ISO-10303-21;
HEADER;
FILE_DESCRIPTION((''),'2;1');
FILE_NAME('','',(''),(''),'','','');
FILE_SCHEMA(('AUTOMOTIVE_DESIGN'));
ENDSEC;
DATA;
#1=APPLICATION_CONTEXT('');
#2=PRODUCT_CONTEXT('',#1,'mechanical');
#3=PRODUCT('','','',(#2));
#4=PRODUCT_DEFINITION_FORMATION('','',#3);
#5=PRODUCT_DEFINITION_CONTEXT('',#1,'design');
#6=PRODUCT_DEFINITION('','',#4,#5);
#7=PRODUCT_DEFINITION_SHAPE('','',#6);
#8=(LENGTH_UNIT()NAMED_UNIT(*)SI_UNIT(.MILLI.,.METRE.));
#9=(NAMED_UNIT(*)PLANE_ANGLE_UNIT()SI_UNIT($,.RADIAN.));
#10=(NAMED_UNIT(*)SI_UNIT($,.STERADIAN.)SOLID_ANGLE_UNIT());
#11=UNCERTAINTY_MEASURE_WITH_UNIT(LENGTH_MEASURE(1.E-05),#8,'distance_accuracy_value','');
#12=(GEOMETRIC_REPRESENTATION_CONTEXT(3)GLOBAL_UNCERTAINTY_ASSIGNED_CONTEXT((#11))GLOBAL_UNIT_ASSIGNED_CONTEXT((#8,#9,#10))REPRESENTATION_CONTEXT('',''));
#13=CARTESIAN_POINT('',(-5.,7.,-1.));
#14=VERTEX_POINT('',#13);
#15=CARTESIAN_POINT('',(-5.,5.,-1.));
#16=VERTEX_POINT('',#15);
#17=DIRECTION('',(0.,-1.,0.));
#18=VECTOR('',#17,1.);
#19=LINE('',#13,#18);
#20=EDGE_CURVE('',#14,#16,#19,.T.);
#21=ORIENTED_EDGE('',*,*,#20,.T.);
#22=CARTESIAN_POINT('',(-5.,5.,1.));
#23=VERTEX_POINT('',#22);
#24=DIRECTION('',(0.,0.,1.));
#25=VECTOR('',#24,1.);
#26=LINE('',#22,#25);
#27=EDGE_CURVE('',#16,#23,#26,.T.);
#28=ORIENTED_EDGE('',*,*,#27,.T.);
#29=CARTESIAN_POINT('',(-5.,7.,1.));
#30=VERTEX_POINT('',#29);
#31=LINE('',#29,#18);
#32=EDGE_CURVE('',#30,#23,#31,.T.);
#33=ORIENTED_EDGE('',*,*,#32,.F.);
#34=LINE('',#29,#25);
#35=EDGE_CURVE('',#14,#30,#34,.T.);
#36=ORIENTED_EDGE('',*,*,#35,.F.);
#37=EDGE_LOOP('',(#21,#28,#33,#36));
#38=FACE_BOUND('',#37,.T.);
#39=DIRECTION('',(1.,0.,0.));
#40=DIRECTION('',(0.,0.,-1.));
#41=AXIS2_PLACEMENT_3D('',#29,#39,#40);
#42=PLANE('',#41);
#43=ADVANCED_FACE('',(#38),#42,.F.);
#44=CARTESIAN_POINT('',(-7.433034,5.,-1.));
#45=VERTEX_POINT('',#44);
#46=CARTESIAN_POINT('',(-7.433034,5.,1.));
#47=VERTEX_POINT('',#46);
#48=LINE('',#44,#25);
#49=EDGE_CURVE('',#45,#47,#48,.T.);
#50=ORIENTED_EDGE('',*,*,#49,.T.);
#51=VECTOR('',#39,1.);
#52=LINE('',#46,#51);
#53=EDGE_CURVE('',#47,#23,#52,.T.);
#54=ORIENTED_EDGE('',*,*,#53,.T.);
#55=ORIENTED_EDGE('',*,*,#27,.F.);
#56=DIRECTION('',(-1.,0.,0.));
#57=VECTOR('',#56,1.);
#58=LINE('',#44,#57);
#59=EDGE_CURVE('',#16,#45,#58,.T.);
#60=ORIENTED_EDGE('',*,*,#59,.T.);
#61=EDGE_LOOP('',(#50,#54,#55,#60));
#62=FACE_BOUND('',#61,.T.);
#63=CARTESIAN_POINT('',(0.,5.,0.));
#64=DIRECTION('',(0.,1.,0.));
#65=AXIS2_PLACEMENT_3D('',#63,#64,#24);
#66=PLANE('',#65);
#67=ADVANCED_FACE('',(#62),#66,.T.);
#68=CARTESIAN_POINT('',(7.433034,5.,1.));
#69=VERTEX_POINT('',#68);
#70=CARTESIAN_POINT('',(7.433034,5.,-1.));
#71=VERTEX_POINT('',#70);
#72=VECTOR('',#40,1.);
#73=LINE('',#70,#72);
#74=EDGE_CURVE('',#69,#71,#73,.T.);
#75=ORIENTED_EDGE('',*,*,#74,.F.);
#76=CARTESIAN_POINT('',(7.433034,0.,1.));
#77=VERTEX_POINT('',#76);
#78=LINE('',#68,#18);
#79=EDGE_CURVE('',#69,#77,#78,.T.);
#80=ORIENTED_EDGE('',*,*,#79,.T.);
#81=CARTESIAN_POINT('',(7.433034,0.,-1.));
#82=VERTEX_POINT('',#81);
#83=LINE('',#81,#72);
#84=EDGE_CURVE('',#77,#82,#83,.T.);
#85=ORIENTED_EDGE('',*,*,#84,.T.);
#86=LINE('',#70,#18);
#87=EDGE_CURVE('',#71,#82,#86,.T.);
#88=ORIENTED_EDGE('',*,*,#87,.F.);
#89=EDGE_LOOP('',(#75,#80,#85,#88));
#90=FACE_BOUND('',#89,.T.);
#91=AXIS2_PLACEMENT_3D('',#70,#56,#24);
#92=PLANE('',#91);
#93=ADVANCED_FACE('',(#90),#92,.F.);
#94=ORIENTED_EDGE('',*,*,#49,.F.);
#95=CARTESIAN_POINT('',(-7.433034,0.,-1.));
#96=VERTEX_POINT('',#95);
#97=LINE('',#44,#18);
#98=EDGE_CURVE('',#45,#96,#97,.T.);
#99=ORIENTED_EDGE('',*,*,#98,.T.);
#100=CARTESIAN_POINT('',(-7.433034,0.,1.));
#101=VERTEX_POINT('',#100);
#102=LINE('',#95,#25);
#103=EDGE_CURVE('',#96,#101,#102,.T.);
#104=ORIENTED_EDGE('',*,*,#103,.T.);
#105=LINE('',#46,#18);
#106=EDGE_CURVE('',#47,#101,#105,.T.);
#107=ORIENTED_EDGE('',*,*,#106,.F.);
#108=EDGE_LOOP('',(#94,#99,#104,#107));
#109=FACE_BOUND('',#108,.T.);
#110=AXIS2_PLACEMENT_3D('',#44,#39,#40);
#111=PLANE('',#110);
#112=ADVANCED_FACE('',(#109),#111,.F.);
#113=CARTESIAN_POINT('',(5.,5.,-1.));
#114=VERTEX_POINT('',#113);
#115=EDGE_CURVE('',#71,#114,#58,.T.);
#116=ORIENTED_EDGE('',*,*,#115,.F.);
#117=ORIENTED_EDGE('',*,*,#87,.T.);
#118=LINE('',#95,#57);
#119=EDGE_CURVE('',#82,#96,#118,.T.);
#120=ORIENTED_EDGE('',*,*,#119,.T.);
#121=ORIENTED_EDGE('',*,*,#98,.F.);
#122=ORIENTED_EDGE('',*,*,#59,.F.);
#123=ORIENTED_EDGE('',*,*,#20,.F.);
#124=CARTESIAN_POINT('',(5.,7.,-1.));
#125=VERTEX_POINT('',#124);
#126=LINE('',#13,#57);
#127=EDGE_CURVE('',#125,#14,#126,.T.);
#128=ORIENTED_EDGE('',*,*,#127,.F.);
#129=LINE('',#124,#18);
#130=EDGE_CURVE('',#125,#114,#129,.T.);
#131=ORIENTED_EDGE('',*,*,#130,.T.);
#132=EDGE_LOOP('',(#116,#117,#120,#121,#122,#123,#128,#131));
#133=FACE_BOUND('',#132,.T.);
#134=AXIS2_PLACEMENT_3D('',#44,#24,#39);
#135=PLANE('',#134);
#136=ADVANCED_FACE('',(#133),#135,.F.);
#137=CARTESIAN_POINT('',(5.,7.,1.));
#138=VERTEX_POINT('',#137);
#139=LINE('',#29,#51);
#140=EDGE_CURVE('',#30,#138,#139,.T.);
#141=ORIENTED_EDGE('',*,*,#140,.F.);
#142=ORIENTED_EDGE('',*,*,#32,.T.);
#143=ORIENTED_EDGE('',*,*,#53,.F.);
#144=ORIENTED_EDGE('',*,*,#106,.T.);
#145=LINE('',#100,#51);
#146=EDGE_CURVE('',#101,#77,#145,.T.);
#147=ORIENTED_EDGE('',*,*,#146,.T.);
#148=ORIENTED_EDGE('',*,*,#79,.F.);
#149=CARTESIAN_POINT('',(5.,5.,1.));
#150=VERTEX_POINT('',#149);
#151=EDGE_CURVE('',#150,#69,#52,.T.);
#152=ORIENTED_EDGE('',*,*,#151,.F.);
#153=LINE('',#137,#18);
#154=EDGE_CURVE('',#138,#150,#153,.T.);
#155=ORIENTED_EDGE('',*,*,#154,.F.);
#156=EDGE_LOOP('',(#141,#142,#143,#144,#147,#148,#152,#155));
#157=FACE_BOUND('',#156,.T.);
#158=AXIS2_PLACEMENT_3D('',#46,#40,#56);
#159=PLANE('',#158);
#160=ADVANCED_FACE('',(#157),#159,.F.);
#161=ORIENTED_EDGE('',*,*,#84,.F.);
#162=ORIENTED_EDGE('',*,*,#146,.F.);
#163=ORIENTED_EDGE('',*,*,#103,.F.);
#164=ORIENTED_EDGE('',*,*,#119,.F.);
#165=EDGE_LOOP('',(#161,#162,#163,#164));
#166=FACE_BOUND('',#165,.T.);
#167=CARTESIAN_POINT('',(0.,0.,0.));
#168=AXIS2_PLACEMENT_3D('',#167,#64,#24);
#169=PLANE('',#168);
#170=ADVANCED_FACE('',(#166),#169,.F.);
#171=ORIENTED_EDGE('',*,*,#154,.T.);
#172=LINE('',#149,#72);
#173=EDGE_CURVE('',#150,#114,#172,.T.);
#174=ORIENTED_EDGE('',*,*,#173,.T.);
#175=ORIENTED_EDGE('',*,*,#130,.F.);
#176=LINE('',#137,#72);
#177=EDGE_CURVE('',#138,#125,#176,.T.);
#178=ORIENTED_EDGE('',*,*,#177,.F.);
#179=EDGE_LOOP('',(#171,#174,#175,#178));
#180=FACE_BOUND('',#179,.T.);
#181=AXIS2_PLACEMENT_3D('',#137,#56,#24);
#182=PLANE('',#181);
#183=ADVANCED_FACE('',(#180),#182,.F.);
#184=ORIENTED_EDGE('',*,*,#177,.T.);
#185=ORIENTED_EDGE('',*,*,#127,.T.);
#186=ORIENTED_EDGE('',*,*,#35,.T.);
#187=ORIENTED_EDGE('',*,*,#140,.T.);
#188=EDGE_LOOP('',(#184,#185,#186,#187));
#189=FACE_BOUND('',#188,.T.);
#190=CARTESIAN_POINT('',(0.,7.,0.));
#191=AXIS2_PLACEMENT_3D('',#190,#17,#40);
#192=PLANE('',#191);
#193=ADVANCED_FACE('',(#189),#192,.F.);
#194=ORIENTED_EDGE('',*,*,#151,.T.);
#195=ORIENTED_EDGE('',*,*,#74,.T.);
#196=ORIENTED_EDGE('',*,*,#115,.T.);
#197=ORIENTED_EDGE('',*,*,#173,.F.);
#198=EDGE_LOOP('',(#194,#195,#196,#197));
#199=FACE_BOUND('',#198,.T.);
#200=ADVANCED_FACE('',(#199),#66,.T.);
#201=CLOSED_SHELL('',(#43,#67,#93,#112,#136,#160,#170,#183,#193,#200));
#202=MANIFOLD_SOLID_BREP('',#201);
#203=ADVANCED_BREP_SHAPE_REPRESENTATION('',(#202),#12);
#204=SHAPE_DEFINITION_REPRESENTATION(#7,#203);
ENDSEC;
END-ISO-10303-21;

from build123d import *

# Parameters (mm, degrees)
SKETCH1_W           = 14.866068748
SKETCH1_H           = 2
BOSS_EXTRUDE1_DEPTH = 5
SKETCH2_W           = 10
SKETCH2_H           = 2
BOSS_EXTRUDE2_DEPTH = 2


with BuildPart() as part:
    # Sketch1 → Boss-Extrude1 (new body)
    with BuildSketch(Plane(origin=(0, 0, 0), x_dir=(1, 0, 0), z_dir=(0, 1, 0))):
        Rectangle(SKETCH1_W, SKETCH1_H)
    extrude(amount=BOSS_EXTRUDE1_DEPTH)

    # Sketch2 → Boss-Extrude2 (add)
    with BuildSketch(Plane(origin=(0, 5, 0), x_dir=(1, 0, 0), z_dir=(0, 1, 0))):
        Rectangle(SKETCH2_W, SKETCH2_H)
    extrude(amount=BOSS_EXTRUDE2_DEPTH)


solid = part.part
